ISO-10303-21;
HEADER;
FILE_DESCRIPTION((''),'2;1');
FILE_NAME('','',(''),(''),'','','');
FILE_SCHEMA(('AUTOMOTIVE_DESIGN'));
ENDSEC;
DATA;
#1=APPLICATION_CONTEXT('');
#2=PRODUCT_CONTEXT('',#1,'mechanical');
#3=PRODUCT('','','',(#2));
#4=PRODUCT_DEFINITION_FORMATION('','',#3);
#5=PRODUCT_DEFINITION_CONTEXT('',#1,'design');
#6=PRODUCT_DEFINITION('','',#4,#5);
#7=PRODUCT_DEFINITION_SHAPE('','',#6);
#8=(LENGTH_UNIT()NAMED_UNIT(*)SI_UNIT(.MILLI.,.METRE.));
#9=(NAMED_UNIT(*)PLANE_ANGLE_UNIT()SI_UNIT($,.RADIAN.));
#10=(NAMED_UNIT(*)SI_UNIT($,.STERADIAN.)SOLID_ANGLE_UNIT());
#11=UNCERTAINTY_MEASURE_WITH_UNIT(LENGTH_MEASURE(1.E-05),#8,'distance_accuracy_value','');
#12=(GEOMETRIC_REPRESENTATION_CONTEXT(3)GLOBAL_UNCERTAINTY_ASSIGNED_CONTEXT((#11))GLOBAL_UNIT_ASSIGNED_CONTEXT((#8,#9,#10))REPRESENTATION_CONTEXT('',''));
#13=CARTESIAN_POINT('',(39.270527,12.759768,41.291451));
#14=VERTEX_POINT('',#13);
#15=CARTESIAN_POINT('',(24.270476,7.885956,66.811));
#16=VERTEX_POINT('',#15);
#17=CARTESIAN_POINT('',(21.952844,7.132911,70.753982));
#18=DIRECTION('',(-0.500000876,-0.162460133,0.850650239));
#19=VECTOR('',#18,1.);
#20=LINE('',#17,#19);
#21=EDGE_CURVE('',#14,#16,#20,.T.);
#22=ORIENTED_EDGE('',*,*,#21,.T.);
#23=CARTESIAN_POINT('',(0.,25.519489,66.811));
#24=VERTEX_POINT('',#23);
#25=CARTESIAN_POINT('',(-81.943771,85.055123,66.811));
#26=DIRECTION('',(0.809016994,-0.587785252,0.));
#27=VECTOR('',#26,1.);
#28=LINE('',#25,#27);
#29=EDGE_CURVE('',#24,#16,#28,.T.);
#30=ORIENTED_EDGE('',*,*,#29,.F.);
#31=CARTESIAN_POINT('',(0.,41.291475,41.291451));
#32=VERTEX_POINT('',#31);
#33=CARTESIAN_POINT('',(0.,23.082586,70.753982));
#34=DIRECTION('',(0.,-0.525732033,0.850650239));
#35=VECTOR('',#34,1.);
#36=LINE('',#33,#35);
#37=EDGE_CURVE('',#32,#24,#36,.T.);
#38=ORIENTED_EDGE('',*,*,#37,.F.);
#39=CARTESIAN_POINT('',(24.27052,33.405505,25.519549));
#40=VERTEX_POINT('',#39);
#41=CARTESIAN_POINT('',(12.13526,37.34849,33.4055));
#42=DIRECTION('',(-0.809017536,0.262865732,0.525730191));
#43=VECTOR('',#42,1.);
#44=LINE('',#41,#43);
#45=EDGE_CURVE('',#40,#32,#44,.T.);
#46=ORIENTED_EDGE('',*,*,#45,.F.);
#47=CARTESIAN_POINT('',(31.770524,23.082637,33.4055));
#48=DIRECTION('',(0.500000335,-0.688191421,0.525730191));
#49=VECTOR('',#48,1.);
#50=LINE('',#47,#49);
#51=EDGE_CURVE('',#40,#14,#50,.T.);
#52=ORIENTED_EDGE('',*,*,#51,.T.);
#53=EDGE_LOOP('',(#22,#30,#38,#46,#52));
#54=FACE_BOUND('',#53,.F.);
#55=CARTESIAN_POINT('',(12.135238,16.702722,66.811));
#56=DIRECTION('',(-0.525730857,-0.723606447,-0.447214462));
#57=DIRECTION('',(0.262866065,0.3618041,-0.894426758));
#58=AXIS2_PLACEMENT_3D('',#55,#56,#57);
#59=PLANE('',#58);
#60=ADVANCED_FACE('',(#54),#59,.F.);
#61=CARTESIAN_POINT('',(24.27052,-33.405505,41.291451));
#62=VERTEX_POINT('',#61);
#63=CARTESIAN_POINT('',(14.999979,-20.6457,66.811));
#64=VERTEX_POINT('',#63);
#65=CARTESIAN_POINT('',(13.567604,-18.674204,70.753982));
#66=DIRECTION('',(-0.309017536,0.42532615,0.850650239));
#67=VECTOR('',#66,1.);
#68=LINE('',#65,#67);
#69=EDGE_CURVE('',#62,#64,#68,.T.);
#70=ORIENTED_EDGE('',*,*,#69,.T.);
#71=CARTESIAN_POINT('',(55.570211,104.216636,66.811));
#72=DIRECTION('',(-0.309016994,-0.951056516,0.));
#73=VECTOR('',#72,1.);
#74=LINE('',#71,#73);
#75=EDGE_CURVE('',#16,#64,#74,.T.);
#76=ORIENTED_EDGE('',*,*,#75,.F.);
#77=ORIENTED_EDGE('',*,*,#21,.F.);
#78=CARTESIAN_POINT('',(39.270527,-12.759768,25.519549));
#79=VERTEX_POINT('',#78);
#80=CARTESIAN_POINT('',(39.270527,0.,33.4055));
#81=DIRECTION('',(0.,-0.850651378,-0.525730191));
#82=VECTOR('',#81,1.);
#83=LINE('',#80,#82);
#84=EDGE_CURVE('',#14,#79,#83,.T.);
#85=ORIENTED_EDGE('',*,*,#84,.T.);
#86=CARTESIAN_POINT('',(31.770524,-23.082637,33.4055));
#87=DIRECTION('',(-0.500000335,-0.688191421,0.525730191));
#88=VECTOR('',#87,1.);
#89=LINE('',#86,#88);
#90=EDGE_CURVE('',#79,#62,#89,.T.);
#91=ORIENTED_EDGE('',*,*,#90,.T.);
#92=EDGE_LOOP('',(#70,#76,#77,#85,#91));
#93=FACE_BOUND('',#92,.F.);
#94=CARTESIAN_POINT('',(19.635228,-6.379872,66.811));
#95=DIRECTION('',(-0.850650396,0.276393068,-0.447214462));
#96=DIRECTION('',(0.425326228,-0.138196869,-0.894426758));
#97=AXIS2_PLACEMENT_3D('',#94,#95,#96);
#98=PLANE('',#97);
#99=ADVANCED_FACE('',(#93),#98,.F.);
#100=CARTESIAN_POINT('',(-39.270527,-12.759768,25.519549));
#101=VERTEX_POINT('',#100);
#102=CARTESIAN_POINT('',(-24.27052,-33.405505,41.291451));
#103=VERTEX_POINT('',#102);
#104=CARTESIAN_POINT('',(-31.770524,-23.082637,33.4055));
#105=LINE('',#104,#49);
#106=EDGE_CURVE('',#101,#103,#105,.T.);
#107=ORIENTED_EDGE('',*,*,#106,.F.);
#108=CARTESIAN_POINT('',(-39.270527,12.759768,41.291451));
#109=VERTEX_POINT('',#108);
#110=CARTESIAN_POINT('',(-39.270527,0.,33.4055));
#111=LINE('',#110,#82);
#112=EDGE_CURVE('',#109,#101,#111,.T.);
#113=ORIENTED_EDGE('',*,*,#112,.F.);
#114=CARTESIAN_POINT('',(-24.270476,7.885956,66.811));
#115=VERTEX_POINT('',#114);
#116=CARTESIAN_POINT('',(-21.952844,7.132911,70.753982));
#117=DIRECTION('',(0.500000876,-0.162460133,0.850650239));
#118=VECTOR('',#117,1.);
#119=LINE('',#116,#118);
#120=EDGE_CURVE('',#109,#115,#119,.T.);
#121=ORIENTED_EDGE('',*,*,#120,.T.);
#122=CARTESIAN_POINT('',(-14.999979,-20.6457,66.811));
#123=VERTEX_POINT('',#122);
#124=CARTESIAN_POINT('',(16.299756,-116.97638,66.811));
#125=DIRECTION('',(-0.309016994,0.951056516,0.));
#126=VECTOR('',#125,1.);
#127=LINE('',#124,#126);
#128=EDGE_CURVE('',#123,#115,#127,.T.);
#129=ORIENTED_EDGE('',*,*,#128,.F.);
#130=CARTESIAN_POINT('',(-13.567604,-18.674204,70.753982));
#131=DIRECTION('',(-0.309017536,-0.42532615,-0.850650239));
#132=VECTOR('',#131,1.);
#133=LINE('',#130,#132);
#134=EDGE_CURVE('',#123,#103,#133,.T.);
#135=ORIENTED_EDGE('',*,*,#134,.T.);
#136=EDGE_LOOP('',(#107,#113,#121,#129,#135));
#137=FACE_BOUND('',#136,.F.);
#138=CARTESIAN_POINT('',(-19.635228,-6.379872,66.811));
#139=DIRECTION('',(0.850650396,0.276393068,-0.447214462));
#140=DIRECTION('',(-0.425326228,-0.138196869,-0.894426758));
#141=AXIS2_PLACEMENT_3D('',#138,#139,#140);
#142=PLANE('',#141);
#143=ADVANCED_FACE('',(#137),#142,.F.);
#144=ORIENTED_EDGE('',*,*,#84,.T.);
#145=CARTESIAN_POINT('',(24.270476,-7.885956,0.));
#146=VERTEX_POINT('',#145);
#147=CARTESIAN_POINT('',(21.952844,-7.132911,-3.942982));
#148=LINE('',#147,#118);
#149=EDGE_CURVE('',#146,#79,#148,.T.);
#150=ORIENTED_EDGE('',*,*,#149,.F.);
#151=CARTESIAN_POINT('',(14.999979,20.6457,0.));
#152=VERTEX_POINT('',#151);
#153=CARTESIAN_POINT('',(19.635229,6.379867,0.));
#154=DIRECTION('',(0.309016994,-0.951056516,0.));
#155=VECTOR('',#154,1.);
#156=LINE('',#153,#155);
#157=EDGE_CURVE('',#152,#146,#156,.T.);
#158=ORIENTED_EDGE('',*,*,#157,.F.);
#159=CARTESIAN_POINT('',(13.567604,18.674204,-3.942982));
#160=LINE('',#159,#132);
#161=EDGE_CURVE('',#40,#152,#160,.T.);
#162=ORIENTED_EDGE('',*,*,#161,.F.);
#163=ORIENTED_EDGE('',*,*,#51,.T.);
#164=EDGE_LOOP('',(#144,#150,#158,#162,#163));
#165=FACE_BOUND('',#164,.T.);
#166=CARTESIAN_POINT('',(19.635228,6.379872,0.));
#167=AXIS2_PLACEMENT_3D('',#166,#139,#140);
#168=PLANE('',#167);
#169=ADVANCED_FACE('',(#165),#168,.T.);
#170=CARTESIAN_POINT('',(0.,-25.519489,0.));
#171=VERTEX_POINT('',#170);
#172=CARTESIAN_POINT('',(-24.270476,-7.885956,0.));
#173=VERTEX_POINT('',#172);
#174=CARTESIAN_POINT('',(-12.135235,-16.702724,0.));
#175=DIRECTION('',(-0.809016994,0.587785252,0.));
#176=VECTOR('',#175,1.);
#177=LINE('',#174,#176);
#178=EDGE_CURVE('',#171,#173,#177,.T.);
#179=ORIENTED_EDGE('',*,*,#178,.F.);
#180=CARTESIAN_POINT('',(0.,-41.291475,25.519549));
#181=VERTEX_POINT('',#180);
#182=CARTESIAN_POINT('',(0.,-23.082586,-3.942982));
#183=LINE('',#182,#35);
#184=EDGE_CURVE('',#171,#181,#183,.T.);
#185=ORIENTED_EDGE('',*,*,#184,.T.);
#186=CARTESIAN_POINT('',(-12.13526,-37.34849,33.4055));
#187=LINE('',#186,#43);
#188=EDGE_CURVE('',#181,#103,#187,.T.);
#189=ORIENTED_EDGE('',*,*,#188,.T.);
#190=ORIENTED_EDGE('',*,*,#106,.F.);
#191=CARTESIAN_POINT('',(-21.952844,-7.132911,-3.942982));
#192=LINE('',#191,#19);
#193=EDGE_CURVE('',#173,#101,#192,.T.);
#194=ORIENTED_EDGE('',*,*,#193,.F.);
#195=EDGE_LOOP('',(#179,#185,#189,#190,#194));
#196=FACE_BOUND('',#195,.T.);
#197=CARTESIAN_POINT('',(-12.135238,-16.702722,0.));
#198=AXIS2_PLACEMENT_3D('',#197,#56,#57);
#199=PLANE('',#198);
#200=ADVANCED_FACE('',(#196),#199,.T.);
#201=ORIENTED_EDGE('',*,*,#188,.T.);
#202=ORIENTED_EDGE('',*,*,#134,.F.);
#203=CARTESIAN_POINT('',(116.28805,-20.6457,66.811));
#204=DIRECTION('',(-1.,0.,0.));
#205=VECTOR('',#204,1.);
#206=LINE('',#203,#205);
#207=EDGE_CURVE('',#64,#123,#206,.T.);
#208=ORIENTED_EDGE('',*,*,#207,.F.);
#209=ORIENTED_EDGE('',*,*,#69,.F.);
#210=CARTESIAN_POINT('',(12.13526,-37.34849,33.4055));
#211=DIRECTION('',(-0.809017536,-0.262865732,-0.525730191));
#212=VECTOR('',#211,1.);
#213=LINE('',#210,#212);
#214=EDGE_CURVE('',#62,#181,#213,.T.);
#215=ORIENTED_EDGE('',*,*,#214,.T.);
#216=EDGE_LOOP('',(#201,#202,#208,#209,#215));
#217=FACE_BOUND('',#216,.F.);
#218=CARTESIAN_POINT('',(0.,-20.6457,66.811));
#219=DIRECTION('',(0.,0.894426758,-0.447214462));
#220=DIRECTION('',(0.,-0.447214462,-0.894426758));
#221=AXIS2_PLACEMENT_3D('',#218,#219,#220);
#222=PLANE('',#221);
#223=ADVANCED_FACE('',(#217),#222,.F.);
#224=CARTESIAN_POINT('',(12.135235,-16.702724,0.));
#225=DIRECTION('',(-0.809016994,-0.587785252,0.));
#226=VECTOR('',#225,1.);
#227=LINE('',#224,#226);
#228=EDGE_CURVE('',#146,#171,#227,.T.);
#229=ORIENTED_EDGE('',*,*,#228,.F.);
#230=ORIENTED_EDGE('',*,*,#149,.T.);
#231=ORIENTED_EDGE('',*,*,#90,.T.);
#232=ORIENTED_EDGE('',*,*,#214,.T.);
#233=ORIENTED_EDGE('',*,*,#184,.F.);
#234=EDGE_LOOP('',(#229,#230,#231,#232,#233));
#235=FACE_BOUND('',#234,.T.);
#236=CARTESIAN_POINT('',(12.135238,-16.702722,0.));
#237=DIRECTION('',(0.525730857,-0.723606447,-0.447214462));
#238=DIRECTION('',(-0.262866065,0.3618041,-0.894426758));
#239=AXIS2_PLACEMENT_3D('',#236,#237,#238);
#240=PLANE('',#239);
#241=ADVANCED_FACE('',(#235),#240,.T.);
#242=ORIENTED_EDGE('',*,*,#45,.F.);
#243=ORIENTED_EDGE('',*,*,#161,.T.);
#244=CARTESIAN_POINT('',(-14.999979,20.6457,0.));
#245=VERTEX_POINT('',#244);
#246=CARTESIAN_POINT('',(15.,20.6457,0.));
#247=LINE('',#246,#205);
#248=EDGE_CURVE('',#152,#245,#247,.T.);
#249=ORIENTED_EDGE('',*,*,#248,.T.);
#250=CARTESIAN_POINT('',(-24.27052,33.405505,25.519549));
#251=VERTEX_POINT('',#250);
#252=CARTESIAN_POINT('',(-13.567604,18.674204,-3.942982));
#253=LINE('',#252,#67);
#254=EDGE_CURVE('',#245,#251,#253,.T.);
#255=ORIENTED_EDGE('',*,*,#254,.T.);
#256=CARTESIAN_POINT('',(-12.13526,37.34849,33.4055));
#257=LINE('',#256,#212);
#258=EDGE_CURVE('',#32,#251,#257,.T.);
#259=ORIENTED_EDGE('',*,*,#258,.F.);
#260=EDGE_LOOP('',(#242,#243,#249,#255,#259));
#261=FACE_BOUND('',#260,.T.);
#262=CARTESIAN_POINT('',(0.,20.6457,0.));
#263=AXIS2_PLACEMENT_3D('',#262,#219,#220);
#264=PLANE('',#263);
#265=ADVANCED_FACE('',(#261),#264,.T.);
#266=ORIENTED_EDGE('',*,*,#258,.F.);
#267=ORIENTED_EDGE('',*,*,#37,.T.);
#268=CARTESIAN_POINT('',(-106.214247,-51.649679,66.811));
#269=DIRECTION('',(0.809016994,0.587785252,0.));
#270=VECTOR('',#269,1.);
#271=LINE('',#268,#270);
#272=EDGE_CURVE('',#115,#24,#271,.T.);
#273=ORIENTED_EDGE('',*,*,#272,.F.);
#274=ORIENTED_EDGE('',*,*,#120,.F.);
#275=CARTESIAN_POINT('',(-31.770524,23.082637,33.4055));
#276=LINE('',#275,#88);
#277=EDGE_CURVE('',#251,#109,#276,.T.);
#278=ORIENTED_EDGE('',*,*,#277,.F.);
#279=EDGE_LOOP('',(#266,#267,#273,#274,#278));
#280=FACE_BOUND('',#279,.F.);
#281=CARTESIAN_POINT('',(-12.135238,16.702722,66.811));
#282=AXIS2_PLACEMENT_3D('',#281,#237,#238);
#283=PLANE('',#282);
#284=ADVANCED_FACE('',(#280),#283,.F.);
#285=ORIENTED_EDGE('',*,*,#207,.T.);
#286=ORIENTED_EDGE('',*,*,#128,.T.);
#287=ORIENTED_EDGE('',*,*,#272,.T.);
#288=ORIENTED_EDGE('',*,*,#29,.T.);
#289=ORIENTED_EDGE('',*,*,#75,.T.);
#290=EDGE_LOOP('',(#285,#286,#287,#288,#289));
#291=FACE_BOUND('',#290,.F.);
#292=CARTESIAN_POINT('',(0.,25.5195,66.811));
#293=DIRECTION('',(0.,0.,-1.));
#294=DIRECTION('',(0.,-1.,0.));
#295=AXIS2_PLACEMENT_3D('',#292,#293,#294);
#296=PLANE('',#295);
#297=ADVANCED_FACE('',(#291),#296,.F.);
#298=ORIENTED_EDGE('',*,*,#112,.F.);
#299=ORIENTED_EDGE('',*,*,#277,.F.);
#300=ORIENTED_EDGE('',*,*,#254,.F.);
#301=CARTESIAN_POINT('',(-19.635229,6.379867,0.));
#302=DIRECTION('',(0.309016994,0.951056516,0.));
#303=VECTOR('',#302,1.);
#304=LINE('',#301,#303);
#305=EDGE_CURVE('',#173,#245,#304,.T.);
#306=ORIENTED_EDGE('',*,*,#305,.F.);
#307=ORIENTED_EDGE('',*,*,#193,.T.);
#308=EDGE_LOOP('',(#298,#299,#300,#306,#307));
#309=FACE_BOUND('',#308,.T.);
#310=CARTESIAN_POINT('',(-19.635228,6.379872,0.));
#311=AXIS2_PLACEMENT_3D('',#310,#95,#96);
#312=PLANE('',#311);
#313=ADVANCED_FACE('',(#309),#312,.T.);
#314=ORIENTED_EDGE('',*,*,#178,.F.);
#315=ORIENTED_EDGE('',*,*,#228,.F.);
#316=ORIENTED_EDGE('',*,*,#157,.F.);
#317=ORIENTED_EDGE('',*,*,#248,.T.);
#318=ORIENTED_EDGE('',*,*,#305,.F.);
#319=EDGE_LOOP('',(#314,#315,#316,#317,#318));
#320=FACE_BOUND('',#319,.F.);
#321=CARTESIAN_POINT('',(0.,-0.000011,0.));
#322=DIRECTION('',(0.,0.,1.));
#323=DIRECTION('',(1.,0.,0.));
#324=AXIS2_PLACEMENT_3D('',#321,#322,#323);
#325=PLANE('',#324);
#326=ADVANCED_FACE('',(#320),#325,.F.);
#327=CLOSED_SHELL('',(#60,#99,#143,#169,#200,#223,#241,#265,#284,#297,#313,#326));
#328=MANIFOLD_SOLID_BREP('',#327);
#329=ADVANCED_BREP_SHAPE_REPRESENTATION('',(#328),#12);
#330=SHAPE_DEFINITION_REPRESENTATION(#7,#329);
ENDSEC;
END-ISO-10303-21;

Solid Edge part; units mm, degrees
sketch "Sketch1" plane through (0, 0, 0) normal (1, 0, 0) x (0, 1, 0)
  line L0 (0, 125.7387) -> (0, -58.9278)
  arc A0 (0, 125.7388) -> (0, -58.9278) centre (0, 33.4055) cw
revolve "RevolvedProtrusion1" add sketch "Sketch1" angle 360 about axis through (0, 0, 125.7387) along (0, 0, -1)
sketch "Sketch2" plane through (0, 0, 0) normal (1, 0, 0) x (0, 1, 0)
  line L0 (-41.2915, 25.5195) -> (-25.5195, 0)
  line L1 (-20.6457, 66.811) -> (-41.2915, 25.5195)
  line L2 (25.5195, 66.811) -> (-20.6457, 66.811)
  line L3 (41.2915, 41.2915) -> (25.5195, 66.811)
  line L4 (20.6457, 0) -> (41.2915, 41.2915)
extrude "Cutout1" cut sketch "Sketch2" along normal mid plane 232.5761 material side at (0, -33.448, 12.7335)
pattern_circular "Pattern1" count 5 over 360 about axis through (0, 0, 66.811) along (0, 0, 1) of "Cutout1"
sketch "Sketch3" plane through (0, 0, 0) normal (0, 0, 1) x (1, 0, 0)
  line L0 (24.2705, -7.886) -> (15, 20.6457)
  line L1 (15, 20.6457) -> (-15, 20.6457)
  line L2 (-15, 20.6457) -> (-24.2705, -7.886)
  line L3 (-24.2705, -7.886) -> (0, -25.5195)
  line L4 (0, -25.5195) -> (24.2705, -7.886)
extrude "ExtrudedCutout_8" cut sketch "Sketch3" against normal blind 119.4
